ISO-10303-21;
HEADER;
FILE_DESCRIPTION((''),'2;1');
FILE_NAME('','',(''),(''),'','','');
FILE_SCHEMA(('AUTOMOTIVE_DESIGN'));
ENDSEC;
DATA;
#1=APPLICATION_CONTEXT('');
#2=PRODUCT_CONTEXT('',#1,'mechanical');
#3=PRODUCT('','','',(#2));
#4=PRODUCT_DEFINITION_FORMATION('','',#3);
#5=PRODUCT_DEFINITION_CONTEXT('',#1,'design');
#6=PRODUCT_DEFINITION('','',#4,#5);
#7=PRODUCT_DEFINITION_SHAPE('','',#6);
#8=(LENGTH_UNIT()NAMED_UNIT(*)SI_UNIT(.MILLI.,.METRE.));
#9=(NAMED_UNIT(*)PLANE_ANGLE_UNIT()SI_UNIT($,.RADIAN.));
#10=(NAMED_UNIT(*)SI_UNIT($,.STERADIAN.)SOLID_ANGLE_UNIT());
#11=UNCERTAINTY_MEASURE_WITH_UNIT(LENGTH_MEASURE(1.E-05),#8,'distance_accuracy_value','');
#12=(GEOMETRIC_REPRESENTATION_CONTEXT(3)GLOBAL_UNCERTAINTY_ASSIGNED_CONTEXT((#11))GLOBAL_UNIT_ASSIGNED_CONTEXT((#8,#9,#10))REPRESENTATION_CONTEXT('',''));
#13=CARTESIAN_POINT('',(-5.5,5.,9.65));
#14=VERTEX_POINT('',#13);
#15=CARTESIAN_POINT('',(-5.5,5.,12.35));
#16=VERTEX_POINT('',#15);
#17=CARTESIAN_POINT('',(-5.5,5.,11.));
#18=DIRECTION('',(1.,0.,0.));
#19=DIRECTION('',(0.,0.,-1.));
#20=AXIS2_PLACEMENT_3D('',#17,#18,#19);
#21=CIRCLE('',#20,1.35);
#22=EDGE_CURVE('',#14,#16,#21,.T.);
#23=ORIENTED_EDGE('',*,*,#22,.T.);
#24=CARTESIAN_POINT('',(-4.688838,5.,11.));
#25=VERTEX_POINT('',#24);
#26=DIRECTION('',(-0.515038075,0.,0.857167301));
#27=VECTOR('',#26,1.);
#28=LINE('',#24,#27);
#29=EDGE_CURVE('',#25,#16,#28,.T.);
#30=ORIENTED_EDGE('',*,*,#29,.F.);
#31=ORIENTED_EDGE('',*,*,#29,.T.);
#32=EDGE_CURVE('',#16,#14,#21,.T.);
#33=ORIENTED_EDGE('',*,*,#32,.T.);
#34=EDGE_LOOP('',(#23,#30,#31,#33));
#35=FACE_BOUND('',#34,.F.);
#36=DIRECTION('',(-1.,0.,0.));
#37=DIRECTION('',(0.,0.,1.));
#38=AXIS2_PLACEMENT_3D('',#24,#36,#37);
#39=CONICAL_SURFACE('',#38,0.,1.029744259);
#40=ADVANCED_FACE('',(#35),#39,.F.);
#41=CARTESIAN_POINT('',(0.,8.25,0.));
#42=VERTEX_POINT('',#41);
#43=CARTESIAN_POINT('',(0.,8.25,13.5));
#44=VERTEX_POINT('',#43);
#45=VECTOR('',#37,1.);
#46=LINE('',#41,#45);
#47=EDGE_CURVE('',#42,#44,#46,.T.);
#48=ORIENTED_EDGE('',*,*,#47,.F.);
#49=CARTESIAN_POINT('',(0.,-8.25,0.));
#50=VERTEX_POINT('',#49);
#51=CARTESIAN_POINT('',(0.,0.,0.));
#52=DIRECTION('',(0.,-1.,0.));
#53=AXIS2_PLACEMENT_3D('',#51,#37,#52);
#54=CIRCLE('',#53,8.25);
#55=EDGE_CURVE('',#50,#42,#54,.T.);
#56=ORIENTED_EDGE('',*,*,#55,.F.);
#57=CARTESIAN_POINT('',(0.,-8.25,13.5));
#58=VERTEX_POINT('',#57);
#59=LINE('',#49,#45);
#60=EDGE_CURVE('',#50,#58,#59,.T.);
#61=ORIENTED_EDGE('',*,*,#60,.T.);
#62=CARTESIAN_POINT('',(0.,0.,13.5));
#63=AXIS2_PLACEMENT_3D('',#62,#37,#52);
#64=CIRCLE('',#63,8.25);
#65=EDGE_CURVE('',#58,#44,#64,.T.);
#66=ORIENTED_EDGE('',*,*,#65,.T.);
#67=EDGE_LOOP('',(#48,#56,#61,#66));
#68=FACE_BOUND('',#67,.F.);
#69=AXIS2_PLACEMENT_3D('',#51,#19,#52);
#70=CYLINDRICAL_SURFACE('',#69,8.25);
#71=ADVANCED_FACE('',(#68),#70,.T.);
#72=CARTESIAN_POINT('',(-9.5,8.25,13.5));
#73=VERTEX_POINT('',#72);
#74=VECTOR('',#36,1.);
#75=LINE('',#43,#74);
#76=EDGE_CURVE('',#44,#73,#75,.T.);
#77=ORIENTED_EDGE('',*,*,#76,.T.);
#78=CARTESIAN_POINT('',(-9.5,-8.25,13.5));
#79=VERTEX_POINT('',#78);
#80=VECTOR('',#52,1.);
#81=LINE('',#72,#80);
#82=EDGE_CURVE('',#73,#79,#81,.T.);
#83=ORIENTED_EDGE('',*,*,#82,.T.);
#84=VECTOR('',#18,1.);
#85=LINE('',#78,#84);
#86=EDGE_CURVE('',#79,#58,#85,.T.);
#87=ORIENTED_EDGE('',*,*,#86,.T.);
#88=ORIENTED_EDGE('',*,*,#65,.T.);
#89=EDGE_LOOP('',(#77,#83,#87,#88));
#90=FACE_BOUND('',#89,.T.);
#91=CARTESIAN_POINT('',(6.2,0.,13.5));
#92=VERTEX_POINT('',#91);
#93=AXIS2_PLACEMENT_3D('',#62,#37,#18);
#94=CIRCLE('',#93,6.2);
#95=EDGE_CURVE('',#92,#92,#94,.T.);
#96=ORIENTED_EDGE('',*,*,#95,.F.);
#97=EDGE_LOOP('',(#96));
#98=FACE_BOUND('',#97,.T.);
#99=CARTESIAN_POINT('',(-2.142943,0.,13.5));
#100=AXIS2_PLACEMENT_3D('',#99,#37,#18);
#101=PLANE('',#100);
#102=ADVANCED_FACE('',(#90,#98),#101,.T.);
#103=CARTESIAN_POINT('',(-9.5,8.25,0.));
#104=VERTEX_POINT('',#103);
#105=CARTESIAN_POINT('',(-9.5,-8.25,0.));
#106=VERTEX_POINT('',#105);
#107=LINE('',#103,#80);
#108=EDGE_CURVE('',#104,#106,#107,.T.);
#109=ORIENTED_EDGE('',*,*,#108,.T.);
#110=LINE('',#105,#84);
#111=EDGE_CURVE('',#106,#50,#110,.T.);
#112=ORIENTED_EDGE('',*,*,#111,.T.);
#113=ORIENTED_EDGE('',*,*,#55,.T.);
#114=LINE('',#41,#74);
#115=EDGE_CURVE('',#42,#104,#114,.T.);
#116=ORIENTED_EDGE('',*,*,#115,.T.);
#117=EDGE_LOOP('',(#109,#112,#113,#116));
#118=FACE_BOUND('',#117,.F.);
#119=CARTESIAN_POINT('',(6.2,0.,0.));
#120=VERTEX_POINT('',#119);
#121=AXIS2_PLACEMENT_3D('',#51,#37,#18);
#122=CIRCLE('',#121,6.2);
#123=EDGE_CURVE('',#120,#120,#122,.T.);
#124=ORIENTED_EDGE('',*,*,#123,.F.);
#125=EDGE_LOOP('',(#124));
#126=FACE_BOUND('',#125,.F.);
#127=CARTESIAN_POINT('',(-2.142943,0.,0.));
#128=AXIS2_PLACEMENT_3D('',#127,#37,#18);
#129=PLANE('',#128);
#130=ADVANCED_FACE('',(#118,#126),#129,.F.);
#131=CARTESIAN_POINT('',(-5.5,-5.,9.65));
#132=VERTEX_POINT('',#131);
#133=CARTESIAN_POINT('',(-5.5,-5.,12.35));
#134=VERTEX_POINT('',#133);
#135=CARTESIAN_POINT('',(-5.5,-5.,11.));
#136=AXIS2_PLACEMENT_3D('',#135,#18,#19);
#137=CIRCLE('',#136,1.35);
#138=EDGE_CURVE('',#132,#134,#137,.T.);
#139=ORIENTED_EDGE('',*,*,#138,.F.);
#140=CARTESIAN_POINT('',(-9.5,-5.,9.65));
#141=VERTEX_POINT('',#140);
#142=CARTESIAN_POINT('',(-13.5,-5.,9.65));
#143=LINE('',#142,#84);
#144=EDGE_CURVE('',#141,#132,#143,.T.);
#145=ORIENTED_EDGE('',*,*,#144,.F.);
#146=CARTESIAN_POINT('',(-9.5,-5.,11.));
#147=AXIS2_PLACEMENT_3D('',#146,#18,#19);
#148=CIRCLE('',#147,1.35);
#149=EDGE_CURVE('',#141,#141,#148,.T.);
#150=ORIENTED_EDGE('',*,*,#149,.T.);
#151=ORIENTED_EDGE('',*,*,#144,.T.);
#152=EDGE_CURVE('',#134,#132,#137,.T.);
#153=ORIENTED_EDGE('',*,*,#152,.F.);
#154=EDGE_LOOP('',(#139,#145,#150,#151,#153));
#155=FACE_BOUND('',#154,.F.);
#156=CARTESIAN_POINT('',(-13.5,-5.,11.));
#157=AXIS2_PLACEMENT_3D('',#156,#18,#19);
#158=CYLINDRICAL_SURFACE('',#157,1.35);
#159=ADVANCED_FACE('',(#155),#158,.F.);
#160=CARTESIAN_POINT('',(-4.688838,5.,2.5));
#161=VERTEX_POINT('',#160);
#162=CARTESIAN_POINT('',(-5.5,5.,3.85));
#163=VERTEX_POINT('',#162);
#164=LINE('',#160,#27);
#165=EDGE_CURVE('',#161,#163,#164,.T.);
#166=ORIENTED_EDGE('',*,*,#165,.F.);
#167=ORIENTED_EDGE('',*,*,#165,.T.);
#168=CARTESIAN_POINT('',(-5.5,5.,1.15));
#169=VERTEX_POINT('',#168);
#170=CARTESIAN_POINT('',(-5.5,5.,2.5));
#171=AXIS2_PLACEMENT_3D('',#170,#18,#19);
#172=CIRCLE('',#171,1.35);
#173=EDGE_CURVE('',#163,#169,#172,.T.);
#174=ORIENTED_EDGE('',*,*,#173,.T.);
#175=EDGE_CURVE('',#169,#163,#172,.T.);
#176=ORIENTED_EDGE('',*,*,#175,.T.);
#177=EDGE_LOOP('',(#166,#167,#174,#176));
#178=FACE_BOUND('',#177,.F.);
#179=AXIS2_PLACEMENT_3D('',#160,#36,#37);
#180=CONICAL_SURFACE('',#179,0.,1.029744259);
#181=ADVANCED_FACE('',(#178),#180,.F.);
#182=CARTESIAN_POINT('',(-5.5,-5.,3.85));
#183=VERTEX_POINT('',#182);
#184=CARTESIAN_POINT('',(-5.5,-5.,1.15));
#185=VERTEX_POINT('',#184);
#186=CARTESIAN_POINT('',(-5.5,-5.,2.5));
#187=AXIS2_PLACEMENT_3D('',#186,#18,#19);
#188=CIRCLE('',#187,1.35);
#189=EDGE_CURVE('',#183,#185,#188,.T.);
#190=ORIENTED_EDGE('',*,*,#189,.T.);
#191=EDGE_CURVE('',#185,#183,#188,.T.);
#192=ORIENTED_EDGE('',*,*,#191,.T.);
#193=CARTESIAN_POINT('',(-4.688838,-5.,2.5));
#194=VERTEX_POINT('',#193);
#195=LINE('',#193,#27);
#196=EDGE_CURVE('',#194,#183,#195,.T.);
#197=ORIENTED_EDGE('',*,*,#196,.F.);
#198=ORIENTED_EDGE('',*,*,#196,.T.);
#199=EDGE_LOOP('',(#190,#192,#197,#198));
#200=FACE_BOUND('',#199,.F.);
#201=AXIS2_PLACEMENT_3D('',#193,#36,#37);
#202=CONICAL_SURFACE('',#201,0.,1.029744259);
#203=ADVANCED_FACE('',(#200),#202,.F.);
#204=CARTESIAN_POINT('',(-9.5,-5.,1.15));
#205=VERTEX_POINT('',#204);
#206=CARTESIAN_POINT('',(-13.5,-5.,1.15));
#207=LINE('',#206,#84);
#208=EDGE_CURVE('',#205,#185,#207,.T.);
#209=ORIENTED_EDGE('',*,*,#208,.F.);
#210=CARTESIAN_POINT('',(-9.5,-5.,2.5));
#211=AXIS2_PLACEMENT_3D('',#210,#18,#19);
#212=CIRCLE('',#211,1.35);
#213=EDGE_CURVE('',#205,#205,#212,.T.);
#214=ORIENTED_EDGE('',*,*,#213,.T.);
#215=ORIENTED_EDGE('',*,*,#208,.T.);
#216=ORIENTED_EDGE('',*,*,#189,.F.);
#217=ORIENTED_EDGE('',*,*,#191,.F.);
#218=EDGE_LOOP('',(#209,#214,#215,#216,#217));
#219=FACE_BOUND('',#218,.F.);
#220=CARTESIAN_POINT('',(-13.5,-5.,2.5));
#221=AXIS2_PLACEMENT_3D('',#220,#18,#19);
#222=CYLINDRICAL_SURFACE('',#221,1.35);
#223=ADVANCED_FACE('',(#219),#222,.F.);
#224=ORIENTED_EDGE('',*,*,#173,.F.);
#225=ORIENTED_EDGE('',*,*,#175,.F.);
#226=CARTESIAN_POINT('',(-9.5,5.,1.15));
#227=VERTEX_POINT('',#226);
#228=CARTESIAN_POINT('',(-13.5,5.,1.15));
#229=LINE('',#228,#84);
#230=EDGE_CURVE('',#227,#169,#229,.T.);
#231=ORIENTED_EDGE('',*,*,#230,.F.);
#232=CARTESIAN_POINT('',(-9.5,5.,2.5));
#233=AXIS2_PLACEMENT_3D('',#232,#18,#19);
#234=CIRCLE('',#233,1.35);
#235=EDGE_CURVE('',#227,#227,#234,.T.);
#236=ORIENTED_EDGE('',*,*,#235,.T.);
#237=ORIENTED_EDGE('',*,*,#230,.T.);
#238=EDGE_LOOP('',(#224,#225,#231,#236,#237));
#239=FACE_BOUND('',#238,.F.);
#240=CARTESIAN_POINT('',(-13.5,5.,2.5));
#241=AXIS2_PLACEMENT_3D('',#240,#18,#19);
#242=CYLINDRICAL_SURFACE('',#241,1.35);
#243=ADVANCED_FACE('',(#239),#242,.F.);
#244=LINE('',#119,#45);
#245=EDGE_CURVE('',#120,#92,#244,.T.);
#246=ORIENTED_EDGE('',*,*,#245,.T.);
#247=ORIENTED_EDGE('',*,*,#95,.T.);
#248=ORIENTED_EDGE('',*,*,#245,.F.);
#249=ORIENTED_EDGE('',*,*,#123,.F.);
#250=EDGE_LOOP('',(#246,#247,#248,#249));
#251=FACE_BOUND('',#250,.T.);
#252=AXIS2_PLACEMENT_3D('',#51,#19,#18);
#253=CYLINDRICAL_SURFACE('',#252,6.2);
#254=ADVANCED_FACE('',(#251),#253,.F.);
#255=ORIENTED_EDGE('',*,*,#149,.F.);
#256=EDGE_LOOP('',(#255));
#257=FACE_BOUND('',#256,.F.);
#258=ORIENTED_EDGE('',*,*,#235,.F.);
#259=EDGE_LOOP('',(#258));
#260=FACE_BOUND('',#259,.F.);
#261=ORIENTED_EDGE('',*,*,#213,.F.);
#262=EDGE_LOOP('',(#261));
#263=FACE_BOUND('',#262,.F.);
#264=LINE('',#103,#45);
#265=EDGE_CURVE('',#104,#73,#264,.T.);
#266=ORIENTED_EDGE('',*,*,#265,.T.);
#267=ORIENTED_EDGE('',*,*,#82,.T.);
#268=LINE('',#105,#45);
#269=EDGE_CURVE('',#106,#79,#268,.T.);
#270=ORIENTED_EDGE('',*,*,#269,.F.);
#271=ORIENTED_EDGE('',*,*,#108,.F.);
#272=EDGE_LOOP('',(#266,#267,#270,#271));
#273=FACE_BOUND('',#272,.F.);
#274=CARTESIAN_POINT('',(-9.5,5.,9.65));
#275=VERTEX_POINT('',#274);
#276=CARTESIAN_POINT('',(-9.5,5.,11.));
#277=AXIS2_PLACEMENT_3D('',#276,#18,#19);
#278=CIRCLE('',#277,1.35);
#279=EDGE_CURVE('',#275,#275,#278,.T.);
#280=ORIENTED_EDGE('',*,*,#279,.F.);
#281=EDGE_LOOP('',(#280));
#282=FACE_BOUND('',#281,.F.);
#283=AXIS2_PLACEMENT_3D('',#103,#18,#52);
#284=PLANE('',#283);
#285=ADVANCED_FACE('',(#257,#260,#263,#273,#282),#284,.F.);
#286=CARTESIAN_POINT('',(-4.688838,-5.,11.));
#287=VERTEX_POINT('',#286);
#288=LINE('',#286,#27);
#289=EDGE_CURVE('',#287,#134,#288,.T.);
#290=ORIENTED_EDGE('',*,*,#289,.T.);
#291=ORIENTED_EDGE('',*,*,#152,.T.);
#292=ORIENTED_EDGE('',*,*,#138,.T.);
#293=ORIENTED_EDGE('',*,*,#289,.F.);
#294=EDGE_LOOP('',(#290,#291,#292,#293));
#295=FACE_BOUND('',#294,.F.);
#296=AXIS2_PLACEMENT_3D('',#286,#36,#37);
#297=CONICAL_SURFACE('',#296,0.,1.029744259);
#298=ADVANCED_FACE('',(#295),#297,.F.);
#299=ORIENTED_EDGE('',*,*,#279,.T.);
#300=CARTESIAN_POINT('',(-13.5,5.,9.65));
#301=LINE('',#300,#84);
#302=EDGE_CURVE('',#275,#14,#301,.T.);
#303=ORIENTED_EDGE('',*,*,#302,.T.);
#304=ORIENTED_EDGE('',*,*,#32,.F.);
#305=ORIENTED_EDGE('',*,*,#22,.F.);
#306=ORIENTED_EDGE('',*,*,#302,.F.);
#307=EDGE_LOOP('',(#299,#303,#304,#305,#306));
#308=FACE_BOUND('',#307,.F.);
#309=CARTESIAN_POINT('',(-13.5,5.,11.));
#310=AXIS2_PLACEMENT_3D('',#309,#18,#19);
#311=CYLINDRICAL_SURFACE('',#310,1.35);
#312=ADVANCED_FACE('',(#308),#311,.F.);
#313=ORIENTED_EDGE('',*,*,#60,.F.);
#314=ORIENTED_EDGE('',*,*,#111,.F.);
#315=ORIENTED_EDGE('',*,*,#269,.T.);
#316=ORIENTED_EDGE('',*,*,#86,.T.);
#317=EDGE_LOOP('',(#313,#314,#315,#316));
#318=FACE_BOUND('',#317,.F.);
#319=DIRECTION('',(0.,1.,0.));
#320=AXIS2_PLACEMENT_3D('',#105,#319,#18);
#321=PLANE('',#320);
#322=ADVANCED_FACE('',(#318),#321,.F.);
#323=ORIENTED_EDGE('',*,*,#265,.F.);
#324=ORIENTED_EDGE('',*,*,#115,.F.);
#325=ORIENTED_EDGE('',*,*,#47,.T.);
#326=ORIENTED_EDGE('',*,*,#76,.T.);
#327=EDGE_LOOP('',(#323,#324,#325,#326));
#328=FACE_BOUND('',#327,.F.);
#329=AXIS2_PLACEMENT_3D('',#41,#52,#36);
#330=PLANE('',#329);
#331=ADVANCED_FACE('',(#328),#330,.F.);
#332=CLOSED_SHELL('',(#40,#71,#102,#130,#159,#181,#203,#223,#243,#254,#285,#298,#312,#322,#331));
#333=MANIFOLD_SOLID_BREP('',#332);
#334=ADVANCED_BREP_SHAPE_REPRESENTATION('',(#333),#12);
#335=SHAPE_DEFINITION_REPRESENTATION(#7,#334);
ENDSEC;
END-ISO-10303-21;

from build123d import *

# Parameters (mm, degrees)
SKETCH1_R                      = 6.2
BOSS_EXTRUDE1_DEPTH            = 13.5
F_2_7_2_7_DIAMETER_HOLE1_D     = 2.7
F_2_7_2_7_DIAMETER_HOLE1_DEPTH = 4
F_2_7_2_7_DIAMETER_HOLE1_TIP   = 0.811161836


with BuildPart() as part:
    # Sketch1 → Boss-Extrude1 (new body)
    with BuildSketch(Plane.XY):
        with BuildLine():
            Line((-9.5, 8.25), (-9.5, -8.25))
            Line((-9.5, -8.25), (0, -8.25))
            ThreePointArc((0, -8.25), (8.25, 0), (0, 8.25))
            Line((0, 8.25), (-9.5, 8.25))
        make_face()
        Circle(SKETCH1_R, mode=Mode.SUBTRACT)
    extrude(amount=BOSS_EXTRUDE1_DEPTH)

    # Ø2.7 (2.7) Diameter Hole1
    with Locations(Plane.ZY.offset(9.5)):
        with Locations((2.5, -5), (2.5, 5), (11, 5), (11, -5)):
            Hole(F_2_7_2_7_DIAMETER_HOLE1_D / 2, depth=F_2_7_2_7_DIAMETER_HOLE1_DEPTH)
            with Locations((0, 0, -(F_2_7_2_7_DIAMETER_HOLE1_DEPTH + F_2_7_2_7_DIAMETER_HOLE1_TIP / 2))):  # 118° drill point
                Cone(0, F_2_7_2_7_DIAMETER_HOLE1_D / 2, F_2_7_2_7_DIAMETER_HOLE1_TIP, mode=Mode.SUBTRACT)


solid = part.part
